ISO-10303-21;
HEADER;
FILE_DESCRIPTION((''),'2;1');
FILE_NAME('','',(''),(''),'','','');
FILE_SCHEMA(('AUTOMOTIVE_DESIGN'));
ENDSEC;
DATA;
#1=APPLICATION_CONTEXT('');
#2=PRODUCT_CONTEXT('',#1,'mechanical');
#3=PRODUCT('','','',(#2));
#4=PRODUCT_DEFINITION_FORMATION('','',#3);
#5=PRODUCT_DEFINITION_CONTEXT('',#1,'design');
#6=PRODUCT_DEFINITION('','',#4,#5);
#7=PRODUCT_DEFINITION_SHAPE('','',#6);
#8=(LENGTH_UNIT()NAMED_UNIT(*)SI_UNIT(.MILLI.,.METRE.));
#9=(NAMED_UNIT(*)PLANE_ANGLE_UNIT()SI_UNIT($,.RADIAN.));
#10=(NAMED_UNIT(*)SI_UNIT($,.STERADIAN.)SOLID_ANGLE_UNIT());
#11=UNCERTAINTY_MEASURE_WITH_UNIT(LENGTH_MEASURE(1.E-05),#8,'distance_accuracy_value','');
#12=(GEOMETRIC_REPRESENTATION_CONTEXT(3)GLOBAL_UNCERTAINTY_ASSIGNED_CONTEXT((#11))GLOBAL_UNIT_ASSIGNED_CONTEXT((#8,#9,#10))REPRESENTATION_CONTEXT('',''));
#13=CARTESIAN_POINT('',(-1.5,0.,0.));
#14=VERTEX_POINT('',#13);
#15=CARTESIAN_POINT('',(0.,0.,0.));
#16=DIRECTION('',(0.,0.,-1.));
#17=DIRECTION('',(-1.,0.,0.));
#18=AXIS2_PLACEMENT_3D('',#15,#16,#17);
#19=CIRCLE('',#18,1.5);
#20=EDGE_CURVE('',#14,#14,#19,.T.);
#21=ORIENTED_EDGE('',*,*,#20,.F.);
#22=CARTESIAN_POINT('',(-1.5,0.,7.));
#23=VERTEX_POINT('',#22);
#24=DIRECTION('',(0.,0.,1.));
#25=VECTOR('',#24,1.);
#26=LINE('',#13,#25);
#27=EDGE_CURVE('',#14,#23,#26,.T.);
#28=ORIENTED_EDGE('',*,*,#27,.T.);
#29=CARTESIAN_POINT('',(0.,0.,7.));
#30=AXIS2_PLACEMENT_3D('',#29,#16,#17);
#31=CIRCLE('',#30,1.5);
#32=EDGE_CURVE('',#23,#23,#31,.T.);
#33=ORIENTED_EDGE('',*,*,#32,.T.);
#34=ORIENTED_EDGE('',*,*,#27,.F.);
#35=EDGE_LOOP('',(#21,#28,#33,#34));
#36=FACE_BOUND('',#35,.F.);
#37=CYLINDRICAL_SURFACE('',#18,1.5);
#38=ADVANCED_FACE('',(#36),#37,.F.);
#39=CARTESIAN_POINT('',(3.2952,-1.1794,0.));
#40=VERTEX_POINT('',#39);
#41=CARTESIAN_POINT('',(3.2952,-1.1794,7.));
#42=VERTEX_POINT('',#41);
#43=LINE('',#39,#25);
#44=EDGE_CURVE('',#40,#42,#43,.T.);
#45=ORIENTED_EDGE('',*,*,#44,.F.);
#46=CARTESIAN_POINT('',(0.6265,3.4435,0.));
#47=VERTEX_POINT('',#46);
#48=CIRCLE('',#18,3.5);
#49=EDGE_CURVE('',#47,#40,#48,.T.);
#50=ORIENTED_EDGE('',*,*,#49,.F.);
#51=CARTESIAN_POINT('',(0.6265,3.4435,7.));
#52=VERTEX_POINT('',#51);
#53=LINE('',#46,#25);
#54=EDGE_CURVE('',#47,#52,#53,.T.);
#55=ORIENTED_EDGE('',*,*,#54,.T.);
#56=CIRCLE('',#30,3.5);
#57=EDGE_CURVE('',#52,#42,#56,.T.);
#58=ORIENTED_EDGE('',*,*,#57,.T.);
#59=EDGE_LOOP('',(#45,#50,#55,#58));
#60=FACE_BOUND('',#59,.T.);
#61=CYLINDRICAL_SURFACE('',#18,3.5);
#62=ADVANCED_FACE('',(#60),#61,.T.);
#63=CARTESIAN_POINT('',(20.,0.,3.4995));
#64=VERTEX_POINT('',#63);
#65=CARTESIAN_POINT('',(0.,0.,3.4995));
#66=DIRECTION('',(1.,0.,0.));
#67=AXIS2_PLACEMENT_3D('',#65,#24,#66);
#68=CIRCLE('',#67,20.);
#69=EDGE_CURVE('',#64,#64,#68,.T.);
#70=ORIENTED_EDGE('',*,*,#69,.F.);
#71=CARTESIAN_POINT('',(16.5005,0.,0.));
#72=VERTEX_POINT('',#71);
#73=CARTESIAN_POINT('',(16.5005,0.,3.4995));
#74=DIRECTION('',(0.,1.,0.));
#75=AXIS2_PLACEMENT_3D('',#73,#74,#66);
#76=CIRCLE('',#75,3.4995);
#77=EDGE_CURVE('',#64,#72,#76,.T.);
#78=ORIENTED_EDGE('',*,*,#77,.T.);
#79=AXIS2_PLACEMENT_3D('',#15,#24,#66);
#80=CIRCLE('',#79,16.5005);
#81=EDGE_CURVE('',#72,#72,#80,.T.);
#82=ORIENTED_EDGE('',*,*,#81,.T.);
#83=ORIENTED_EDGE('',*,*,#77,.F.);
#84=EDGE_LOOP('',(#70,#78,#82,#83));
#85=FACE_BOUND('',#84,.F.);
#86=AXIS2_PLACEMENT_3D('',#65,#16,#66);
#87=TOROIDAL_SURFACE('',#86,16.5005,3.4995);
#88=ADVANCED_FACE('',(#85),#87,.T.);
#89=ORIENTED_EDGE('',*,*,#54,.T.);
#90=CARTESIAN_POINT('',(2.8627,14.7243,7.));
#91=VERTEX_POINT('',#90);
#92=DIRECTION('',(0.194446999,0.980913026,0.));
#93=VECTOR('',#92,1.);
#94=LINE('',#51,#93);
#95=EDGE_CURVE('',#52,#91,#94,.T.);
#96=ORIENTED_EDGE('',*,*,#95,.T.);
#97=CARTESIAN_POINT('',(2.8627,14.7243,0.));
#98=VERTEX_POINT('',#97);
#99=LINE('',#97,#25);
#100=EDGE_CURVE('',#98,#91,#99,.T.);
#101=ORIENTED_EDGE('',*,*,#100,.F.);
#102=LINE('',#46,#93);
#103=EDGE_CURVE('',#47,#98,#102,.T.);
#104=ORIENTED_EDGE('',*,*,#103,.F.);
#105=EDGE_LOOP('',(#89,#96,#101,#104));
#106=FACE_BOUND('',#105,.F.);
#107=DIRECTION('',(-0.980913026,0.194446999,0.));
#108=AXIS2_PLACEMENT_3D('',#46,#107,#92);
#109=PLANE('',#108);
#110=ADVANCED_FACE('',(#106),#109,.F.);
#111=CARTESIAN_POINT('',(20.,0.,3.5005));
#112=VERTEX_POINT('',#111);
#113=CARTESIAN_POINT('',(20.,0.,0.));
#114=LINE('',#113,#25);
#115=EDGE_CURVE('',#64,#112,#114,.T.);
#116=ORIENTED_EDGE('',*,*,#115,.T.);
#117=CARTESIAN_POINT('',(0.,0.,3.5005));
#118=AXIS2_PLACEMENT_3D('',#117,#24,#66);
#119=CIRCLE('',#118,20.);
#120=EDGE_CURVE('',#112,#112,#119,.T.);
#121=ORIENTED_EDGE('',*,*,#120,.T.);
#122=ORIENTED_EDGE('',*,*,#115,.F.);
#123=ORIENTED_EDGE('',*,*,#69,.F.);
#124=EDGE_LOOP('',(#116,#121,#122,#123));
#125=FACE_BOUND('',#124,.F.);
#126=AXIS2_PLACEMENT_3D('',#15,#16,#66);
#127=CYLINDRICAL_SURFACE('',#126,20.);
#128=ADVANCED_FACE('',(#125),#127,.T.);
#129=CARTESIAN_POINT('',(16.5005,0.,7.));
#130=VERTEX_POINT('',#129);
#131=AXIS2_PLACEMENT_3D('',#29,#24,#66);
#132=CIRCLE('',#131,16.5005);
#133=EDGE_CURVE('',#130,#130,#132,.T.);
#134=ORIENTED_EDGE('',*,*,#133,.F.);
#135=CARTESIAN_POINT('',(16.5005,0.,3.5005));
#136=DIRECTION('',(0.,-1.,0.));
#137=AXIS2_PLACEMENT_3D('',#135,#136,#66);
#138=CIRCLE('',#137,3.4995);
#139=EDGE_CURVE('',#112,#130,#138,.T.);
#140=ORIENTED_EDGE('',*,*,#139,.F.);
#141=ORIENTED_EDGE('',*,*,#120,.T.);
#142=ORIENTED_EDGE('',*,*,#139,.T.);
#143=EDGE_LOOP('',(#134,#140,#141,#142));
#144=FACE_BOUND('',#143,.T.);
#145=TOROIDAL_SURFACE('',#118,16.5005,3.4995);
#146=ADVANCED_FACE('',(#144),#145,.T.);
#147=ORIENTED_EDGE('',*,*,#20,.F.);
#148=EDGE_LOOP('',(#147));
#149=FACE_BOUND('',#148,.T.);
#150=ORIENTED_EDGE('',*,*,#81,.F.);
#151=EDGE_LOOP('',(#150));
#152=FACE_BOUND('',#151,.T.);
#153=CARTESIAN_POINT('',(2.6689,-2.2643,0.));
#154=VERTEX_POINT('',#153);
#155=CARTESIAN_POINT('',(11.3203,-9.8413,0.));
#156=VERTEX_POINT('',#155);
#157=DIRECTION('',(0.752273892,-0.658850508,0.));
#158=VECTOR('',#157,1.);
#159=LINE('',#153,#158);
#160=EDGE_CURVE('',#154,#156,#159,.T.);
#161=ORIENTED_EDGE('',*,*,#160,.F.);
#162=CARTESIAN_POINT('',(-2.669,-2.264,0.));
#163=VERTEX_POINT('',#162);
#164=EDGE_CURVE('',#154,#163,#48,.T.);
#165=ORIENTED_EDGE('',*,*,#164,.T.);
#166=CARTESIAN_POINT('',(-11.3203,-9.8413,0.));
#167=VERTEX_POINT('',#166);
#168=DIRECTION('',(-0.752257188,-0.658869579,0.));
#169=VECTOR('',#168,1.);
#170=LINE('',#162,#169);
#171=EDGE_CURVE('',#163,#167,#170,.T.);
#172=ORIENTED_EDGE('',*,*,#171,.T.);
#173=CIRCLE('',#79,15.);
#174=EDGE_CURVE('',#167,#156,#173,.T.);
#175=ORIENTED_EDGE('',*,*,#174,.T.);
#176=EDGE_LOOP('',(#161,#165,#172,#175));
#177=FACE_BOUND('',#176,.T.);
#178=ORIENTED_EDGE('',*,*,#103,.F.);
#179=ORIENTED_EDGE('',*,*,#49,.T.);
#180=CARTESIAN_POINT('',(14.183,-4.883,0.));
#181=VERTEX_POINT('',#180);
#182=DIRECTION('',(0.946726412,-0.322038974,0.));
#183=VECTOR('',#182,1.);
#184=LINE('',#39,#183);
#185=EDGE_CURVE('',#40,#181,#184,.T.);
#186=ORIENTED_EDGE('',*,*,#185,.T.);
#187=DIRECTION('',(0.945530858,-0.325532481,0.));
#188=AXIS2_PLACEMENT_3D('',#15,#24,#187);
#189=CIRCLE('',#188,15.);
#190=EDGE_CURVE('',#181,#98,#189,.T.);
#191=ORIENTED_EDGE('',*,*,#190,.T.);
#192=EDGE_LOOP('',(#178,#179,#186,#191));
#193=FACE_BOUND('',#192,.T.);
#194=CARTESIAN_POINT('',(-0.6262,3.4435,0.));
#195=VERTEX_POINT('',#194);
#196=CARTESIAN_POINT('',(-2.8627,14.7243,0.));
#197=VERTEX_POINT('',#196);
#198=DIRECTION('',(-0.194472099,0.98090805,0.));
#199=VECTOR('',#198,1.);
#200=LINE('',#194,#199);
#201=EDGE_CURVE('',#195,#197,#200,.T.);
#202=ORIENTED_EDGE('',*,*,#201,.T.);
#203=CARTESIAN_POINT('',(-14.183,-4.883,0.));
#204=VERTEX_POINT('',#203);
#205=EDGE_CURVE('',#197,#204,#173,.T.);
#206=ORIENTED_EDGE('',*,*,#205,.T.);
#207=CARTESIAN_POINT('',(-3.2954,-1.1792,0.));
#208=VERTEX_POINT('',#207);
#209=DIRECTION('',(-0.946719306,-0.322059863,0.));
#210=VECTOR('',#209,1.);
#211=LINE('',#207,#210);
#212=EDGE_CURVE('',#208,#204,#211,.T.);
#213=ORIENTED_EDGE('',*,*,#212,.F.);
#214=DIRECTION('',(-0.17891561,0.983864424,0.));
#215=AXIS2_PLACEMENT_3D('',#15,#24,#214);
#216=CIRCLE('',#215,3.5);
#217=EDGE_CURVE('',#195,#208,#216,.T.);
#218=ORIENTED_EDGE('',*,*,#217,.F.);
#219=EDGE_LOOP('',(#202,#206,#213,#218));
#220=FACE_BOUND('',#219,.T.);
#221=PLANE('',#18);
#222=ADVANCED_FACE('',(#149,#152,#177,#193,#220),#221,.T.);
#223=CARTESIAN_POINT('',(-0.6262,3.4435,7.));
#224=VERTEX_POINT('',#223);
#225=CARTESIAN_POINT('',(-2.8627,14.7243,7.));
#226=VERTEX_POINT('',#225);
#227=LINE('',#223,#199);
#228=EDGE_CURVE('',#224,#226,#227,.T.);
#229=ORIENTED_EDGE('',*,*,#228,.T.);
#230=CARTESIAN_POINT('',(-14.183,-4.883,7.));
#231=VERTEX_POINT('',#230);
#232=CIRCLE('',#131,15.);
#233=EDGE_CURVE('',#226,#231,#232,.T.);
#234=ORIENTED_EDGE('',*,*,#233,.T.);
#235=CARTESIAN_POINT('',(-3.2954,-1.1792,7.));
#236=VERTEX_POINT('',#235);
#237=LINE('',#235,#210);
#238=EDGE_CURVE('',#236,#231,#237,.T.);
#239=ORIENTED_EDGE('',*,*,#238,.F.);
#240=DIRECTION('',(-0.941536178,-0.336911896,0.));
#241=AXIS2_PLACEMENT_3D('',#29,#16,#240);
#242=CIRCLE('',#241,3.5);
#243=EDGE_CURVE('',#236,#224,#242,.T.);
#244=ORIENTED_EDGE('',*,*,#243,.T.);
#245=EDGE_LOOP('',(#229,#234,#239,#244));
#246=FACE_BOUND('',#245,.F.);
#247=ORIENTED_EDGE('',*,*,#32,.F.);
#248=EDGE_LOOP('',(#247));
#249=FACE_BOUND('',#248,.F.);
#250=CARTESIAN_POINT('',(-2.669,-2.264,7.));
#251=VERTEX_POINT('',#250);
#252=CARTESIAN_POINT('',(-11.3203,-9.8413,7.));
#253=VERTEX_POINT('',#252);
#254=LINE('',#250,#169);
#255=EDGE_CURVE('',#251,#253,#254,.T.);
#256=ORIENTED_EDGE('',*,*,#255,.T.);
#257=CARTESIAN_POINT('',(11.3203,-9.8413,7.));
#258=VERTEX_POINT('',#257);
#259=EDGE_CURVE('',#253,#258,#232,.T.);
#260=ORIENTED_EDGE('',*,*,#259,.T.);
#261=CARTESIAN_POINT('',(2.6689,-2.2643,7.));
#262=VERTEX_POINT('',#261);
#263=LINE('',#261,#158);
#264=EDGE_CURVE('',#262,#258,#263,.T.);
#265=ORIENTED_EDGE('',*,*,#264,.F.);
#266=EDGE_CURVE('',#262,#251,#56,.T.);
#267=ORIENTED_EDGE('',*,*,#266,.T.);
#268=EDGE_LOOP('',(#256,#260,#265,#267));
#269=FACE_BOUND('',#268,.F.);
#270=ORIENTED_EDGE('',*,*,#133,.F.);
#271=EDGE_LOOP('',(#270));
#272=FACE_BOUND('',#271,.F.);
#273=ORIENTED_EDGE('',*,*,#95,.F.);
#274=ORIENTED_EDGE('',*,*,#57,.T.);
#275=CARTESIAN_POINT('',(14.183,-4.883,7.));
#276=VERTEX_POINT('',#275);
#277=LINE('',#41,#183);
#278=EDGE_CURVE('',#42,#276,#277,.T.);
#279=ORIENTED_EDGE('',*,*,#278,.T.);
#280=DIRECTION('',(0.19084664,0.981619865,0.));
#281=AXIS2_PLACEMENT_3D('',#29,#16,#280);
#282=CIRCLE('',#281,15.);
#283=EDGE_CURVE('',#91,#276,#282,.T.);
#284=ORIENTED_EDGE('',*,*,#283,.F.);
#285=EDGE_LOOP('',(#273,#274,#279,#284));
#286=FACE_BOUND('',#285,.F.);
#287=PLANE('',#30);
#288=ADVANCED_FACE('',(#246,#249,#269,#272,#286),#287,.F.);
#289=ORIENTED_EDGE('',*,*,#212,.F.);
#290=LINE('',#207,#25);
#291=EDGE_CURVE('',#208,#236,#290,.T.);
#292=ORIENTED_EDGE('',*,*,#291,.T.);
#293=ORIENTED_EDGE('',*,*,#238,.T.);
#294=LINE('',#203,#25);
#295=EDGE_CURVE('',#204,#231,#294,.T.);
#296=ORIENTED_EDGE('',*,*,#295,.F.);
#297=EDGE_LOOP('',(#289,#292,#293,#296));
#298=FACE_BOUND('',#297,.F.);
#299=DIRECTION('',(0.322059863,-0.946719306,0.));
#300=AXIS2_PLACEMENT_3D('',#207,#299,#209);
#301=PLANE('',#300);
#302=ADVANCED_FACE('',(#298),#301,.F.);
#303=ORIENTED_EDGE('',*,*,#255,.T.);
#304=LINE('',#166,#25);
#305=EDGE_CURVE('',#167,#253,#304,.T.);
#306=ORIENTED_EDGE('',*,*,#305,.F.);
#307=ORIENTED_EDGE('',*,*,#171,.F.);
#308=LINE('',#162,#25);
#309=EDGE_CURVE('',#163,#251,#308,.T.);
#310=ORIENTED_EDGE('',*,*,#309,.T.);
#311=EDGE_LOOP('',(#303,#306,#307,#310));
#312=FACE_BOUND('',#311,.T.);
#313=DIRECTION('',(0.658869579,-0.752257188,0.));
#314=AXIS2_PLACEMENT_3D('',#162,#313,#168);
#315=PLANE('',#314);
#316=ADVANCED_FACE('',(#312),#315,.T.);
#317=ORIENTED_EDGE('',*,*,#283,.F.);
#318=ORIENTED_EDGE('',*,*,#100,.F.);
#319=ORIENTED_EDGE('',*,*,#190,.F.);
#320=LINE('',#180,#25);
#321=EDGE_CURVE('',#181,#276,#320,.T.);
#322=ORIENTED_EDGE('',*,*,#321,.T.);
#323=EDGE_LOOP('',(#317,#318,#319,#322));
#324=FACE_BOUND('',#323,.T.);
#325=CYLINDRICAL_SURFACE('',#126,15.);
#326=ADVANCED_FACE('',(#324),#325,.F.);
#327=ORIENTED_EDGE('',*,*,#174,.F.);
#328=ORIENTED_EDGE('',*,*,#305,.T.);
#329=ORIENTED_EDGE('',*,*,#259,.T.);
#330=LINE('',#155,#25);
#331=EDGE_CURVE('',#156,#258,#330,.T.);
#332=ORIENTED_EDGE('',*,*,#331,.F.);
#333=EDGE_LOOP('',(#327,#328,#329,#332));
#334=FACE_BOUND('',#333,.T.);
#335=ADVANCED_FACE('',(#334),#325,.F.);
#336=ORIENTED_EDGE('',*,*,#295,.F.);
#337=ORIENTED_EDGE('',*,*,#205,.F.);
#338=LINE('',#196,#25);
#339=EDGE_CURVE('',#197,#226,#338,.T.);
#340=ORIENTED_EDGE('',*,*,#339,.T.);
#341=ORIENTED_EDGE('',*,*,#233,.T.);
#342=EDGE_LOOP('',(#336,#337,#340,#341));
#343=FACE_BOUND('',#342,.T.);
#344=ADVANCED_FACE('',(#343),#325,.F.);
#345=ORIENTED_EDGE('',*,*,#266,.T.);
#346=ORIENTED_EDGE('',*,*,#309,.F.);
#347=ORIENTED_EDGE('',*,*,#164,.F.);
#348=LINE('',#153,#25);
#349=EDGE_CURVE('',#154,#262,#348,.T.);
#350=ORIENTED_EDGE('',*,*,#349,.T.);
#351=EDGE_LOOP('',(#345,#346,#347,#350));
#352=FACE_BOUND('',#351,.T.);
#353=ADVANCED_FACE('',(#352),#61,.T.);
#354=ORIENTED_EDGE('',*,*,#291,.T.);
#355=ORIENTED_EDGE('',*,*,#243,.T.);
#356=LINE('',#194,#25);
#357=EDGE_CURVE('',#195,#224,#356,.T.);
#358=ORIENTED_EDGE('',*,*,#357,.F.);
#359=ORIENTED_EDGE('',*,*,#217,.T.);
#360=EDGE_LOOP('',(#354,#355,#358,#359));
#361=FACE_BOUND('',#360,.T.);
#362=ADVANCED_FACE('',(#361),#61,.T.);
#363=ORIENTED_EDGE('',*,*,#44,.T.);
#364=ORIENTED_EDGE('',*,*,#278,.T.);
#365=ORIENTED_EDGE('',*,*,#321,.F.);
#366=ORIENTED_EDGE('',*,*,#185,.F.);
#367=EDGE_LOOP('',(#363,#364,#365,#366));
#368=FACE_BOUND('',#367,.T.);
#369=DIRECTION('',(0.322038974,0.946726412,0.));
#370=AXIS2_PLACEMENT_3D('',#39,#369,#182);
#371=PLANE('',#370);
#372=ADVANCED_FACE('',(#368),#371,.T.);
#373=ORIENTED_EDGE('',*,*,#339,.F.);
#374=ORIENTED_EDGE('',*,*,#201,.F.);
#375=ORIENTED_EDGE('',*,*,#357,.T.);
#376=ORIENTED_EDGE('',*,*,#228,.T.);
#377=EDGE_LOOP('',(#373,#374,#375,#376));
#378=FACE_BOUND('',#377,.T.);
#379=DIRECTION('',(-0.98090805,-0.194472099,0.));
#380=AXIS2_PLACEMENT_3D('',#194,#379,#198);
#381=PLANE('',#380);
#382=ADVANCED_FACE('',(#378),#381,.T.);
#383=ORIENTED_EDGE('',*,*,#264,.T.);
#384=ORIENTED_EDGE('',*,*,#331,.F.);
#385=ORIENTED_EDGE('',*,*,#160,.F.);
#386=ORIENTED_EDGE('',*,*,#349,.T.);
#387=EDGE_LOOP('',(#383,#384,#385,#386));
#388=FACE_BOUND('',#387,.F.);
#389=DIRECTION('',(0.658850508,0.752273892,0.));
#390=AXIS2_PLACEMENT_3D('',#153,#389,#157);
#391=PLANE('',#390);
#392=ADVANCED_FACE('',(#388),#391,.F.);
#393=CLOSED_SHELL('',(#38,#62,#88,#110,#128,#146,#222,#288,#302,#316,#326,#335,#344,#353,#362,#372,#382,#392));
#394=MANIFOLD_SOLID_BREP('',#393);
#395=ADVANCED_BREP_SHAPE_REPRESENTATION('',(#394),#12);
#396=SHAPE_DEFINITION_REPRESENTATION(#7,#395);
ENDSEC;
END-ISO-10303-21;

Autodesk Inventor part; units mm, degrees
ref_plane "YZ Plane" through (0, 0, 0) normal (1, 0, 0) x (0, 1, 0)
ref_plane "XZ Plane" through (0, 0, 0) normal (0, 1, 0) x (-1, 0, 0)
ref_plane "XY Plane" through (0, 0, 0) normal (0, 0, 1) x (1, 0, 0)
sketch "Sketch1" plane through (0, 0, 0) normal (0, 0, 1) x (1, 0, 0)
  circle A0 centre (0, 0) radius 20
  circle A1 centre (0, 0) radius 15
  dimension "d0" = 40
  dimension "d1" = 30
extrude "Extrusion1" add sketch "Sketch1" along normal blind 7
fillet "Fillet1" radius 3.5 2 edges at (-20, 0, 7) (-20, 0, 0)
sketch "Sketch2" plane through (0, 0, 0) normal (0, 0, -1) x (-1, 0, 0)
  circle A0 centre (0, 0) radius 1.5
  circle A1 centre (0, 0) radius 3.5
  dimension "d5" = 3
  dimension "d6" = 7
extrude "Extrusion2" add sketch "Sketch2" against normal blind 7
sketch "Sketch3" plane through (0, 0, 0) normal (0, 0, -1) x (-1, 0, 0)
  line L0 (-0.6265, 3.4435) -> (-2.8627, 14.7243)
  line L1 (-0.6265, 3.4435) -> (0.6262, 3.4435)
  line L2 (-0.6265, 3.4435) -> (0.6262, 3.4435) construction
  line L3 (0.6262, 3.4435) -> (2.8627, 14.7243)
  circle A0 centre (0, 0) radius 3.5
  circle A1 centre (0, 0) radius 15
  line L4 (-3.2952, -1.1794) -> (-14.183, -4.883)
  line L5 (-2.6689, -2.2643) -> (-11.3203, -9.8413)
  line L6 (2.669, -2.264) -> (11.3203, -9.8413)
  line L7 (3.2954, -1.1792) -> (14.183, -4.883)
  point P0 (2.6691, -2.2641)
  point P1 (0.6262, 3.4435)
  point P2 (-3.2953, -1.1795)
  dimension "d9" = 0
  dimension "d10" = 30
  dimension "d13" = 360
extrude "Extrusion3" add sketch "Sketch3" against normal blind 7 contours L0 A1 L3 A0 | A0 L5 A1 L4 | L7 A1 L6 A0
properties part number "Wiel" material "Rubber, Silicone"
